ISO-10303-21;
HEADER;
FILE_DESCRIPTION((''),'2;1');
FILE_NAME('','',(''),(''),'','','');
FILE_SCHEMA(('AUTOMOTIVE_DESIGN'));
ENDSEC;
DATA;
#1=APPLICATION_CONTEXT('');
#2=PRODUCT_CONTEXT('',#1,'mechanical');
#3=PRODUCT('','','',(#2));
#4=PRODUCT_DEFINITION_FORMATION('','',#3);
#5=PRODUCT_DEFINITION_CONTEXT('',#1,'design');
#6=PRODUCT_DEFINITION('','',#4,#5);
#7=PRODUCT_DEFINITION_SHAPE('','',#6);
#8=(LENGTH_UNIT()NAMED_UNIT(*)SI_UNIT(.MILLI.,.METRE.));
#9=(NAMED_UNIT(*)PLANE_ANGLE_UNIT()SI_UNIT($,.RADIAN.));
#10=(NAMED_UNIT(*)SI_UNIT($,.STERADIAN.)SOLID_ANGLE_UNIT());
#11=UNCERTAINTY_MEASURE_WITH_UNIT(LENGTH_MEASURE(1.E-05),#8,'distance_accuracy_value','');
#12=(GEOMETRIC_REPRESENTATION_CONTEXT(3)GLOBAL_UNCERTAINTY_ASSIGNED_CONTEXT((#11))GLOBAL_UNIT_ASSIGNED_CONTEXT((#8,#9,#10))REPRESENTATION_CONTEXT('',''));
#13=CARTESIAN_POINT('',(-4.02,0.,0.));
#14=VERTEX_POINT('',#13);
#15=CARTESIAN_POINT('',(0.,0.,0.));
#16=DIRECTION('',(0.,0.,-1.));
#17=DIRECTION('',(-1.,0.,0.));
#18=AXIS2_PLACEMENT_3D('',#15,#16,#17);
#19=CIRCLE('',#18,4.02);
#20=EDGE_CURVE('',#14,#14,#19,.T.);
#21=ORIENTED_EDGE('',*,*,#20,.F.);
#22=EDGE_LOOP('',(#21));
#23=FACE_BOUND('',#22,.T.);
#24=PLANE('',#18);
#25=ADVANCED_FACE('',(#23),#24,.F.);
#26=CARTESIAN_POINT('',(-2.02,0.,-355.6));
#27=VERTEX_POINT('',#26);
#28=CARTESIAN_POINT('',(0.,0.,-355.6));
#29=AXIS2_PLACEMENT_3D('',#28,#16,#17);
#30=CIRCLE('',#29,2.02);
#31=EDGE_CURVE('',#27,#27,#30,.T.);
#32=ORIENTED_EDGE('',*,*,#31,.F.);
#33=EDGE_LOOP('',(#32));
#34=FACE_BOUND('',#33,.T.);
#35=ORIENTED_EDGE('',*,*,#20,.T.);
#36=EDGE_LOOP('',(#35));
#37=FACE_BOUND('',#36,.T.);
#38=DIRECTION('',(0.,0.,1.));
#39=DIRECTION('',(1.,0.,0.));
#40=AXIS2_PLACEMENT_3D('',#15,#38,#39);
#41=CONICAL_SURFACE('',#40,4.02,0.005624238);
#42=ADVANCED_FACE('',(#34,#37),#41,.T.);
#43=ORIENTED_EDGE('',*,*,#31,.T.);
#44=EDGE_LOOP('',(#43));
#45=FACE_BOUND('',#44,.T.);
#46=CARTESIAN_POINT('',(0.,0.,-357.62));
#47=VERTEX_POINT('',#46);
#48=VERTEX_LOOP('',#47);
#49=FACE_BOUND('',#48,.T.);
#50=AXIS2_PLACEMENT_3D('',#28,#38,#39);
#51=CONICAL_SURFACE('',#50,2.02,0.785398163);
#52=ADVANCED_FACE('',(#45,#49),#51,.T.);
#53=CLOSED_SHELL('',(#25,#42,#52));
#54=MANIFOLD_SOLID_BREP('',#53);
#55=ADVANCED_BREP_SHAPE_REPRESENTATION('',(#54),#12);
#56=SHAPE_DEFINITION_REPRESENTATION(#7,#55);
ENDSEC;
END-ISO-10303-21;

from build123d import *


with BuildPart() as part:
    # Sketch1 → Revolve1 (revolve)
    with BuildSketch(Plane(origin=(0, 0, 0), x_dir=(1, 0, 0), z_dir=(0, 1, 0))):
        Polygon((0, 355.6), (0, 0), (4.02, 0), (2.02, 355.6), (0, 357.62), align=None)
    revolve(axis=Axis((0, 0, -355.6), (0, 0, 1)))


solid = part.part
